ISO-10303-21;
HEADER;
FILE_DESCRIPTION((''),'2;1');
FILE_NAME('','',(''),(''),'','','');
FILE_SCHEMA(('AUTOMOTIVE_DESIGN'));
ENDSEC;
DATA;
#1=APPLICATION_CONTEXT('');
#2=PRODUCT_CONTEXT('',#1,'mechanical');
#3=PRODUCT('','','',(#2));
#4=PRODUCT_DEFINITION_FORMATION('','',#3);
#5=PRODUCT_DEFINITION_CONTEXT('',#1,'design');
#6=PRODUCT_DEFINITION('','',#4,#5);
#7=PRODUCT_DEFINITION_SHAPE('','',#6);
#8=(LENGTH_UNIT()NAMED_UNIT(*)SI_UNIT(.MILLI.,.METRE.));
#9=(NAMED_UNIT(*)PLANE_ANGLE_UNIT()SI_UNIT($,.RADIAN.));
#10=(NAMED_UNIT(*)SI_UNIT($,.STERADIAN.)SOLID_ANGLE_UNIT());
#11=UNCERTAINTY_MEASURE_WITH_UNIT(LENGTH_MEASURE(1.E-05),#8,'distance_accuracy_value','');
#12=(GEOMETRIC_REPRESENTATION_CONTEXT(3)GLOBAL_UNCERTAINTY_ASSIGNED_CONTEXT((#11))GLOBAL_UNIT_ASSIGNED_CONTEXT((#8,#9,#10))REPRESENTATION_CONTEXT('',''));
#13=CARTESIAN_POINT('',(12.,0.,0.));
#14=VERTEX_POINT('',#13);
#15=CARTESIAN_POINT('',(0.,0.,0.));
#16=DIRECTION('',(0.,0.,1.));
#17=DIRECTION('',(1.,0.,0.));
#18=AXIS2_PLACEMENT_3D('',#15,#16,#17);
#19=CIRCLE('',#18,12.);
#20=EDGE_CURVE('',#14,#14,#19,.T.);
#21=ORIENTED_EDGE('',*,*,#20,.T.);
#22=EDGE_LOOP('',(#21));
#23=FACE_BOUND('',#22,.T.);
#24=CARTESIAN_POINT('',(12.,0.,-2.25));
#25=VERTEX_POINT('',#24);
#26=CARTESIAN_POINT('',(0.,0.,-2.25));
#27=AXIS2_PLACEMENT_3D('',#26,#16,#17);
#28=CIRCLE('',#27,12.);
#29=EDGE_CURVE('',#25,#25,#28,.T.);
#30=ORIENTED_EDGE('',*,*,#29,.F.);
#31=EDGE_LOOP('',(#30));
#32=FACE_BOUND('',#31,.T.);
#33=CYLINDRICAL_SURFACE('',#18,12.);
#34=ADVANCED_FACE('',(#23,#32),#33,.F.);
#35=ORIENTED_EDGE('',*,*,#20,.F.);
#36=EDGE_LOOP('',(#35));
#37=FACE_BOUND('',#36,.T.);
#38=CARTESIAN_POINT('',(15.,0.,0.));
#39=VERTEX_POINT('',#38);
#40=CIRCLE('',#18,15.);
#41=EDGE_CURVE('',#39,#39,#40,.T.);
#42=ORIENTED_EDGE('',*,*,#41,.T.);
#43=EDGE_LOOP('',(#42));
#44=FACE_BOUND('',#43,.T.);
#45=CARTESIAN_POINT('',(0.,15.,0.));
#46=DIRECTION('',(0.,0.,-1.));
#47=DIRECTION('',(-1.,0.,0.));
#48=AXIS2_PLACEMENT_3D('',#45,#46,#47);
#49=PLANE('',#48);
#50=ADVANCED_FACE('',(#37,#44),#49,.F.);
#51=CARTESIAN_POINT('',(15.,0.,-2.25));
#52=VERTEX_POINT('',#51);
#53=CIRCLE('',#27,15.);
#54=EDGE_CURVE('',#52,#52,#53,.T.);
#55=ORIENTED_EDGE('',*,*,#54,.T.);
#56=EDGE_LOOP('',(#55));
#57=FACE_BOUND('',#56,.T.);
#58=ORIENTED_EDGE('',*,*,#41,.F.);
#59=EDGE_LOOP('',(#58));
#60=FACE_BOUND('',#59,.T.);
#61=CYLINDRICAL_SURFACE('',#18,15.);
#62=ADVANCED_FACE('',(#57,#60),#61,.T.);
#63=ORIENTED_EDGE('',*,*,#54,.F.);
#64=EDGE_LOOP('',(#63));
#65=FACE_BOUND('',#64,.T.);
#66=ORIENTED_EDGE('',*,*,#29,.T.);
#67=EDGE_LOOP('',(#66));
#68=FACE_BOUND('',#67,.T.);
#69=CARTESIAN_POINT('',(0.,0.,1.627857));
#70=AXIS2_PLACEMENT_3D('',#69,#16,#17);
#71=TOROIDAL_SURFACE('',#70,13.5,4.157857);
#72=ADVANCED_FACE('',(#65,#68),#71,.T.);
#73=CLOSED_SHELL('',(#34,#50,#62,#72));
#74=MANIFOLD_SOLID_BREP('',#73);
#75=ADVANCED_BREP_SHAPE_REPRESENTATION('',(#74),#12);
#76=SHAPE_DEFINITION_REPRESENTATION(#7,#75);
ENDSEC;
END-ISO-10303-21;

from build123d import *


with BuildPart() as part:
    # Sketch1 → Revolve1 (revolve)
    with BuildSketch(Plane(origin=(0, 0, 0), x_dir=(0, 0, -1), z_dir=(1, 0, 0)), mode=Mode.PRIVATE) as revolve1_sk:
        with BuildLine():
            Line((0, 15), (0, 12))
            Line((0, 12), (2.25, 12))
            ThreePointArc((2.25, 12), (2.53, 13.5), (2.25, 15))
            Line((2.25, 15), (0, 15))
        make_face()
    revolve(revolve1_sk.sketch.rotate(Axis((0, 0, 0), (0, 0, -1)), 90), axis=Axis((0, 0, 0), (0, 0, -1)))


solid = part.part
